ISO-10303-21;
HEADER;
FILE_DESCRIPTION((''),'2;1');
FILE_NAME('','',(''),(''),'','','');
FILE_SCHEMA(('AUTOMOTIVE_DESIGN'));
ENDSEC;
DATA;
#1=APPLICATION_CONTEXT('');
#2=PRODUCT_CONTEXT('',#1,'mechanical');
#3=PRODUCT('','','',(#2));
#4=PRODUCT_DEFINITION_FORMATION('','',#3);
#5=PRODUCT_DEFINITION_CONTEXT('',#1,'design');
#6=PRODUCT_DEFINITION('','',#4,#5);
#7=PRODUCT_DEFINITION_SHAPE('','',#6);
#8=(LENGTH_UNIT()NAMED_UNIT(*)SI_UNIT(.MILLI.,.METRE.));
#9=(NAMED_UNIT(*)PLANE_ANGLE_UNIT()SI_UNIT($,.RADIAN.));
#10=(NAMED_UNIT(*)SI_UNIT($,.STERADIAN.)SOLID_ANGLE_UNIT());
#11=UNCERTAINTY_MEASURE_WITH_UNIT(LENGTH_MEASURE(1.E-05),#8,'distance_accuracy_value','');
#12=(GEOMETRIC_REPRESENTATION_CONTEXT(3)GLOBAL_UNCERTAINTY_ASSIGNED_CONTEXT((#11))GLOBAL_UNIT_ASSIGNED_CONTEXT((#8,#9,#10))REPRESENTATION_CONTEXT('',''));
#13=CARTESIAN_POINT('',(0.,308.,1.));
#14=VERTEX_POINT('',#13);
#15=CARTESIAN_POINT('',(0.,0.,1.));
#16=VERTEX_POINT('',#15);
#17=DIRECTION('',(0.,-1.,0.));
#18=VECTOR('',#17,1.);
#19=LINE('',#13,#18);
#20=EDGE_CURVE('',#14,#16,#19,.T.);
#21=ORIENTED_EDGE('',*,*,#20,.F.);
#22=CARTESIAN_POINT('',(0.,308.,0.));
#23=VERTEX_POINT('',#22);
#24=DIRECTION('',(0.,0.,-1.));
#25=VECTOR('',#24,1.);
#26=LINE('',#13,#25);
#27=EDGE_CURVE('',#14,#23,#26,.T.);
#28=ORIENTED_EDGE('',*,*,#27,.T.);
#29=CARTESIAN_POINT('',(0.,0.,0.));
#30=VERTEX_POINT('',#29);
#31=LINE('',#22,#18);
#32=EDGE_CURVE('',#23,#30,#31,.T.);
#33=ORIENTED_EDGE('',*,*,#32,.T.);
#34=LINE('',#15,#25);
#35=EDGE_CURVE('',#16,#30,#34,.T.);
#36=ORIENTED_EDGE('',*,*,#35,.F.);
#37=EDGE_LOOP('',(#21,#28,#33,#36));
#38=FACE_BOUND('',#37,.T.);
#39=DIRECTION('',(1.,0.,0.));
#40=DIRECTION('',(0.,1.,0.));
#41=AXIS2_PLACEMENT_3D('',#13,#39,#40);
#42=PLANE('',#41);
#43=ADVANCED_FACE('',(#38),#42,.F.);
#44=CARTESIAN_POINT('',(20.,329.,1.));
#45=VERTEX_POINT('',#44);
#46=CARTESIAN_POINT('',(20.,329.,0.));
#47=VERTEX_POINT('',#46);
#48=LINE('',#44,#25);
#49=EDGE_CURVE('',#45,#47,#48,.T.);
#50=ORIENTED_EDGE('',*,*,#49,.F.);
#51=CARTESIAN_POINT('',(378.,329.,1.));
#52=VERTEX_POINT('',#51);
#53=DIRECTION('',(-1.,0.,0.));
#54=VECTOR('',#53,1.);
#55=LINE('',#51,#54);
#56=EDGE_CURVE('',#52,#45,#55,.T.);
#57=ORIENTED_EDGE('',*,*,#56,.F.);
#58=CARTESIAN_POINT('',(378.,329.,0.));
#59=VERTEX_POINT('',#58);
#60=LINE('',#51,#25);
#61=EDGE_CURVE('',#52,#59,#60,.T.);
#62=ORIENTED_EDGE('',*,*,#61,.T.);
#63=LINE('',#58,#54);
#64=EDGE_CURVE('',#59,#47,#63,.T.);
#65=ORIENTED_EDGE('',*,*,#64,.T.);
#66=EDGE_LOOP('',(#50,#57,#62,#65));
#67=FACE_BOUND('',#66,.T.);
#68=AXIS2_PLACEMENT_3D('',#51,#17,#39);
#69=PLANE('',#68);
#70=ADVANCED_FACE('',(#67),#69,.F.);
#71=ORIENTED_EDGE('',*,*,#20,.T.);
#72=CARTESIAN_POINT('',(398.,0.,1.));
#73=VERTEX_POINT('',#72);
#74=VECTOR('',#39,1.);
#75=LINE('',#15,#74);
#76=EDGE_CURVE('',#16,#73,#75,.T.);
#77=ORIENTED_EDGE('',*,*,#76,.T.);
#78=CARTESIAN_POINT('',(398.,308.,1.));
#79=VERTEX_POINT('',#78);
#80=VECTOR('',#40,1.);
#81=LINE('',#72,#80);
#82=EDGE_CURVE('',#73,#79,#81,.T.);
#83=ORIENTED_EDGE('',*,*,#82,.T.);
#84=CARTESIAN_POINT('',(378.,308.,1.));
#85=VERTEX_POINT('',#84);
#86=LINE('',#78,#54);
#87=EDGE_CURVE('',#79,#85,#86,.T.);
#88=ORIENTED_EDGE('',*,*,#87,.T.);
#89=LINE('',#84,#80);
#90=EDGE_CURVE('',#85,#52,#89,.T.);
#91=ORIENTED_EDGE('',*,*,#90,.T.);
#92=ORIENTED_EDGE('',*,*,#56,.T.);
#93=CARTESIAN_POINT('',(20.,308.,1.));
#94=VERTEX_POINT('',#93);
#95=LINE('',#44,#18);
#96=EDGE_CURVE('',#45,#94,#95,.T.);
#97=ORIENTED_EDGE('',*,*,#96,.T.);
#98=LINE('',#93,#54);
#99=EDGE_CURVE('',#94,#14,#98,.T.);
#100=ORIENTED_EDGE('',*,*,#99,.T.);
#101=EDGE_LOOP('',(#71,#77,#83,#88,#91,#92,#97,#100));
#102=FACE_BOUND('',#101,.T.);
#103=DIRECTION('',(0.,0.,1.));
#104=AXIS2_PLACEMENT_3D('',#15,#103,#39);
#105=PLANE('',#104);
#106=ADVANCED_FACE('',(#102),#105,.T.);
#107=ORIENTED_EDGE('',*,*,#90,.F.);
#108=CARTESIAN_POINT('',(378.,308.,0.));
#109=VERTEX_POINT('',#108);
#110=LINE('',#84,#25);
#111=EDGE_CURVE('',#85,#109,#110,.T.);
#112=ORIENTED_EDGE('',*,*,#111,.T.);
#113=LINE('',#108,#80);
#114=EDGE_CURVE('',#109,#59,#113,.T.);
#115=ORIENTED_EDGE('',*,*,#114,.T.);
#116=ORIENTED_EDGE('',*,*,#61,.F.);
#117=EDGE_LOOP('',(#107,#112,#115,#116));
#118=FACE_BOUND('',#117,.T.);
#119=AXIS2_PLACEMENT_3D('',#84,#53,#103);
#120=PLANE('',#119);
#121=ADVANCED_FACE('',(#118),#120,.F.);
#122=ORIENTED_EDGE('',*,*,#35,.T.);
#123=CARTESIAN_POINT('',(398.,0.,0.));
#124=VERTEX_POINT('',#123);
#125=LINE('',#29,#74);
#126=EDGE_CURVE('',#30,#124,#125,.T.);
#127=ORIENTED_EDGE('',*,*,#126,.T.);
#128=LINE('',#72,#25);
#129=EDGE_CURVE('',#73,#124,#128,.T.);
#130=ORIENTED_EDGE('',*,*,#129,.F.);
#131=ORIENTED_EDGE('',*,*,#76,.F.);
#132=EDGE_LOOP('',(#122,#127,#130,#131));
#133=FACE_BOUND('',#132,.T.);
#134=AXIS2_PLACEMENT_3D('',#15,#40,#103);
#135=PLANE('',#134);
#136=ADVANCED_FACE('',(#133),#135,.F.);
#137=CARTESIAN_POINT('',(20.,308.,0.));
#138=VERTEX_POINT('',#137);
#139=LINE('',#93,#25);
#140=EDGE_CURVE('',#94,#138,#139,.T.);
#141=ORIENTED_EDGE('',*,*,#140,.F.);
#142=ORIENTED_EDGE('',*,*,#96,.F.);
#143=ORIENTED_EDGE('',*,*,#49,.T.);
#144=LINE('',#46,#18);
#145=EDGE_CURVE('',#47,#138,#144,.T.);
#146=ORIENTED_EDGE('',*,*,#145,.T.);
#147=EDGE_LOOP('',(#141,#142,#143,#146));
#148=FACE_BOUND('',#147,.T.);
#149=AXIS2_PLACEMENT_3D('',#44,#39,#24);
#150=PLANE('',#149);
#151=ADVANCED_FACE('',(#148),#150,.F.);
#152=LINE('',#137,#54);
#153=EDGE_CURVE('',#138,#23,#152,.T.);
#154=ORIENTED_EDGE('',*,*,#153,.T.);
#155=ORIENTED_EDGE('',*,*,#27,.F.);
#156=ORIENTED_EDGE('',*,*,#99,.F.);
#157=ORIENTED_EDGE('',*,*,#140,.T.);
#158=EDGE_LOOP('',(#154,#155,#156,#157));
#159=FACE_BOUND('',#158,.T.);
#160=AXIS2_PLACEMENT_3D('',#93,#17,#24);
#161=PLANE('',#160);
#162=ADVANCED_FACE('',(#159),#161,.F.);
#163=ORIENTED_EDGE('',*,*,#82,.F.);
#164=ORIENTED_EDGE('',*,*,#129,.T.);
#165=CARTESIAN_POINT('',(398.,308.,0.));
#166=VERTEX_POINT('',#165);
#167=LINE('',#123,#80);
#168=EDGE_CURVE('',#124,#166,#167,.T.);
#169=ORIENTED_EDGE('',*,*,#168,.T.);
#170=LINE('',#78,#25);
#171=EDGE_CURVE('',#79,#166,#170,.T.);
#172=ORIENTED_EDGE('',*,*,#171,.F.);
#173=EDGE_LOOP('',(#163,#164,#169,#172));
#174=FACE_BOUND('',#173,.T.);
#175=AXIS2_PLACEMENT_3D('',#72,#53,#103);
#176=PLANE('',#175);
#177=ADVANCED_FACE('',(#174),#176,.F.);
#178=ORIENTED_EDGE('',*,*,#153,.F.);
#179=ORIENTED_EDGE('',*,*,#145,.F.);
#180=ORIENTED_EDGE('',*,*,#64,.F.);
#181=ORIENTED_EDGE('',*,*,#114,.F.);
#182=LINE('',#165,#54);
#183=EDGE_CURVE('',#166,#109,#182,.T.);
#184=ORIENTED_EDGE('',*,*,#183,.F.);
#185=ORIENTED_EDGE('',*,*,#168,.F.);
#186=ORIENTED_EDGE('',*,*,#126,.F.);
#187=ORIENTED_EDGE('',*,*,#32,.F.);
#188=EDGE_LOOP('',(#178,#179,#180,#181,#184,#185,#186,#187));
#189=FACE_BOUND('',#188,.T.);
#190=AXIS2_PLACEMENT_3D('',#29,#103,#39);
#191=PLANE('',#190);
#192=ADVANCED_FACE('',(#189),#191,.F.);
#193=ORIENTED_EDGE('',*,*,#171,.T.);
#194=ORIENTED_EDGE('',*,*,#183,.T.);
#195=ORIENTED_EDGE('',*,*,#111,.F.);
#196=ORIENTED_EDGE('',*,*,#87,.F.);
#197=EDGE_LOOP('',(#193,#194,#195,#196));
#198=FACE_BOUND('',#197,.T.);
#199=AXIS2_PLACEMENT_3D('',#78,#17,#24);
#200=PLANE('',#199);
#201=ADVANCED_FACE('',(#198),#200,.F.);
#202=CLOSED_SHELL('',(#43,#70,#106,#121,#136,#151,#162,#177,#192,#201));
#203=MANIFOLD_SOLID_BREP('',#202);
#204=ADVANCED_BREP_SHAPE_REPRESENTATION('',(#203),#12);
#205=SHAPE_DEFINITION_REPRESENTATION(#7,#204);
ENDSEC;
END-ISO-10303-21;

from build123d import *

# Parameters (mm, degrees)
EXTRUDE_1_DEPTH = 1


with BuildPart() as part:
    # 스케치1 → 보스-돌출1 (new body)
    with BuildSketch(Plane.XY):
        Polygon((0, 0), (398, 0), (398, 308), (378, 308), (378, 329), (20, 329), (20, 308), (0, 308), align=None)
    extrude(amount=EXTRUDE_1_DEPTH)


solid = part.part
